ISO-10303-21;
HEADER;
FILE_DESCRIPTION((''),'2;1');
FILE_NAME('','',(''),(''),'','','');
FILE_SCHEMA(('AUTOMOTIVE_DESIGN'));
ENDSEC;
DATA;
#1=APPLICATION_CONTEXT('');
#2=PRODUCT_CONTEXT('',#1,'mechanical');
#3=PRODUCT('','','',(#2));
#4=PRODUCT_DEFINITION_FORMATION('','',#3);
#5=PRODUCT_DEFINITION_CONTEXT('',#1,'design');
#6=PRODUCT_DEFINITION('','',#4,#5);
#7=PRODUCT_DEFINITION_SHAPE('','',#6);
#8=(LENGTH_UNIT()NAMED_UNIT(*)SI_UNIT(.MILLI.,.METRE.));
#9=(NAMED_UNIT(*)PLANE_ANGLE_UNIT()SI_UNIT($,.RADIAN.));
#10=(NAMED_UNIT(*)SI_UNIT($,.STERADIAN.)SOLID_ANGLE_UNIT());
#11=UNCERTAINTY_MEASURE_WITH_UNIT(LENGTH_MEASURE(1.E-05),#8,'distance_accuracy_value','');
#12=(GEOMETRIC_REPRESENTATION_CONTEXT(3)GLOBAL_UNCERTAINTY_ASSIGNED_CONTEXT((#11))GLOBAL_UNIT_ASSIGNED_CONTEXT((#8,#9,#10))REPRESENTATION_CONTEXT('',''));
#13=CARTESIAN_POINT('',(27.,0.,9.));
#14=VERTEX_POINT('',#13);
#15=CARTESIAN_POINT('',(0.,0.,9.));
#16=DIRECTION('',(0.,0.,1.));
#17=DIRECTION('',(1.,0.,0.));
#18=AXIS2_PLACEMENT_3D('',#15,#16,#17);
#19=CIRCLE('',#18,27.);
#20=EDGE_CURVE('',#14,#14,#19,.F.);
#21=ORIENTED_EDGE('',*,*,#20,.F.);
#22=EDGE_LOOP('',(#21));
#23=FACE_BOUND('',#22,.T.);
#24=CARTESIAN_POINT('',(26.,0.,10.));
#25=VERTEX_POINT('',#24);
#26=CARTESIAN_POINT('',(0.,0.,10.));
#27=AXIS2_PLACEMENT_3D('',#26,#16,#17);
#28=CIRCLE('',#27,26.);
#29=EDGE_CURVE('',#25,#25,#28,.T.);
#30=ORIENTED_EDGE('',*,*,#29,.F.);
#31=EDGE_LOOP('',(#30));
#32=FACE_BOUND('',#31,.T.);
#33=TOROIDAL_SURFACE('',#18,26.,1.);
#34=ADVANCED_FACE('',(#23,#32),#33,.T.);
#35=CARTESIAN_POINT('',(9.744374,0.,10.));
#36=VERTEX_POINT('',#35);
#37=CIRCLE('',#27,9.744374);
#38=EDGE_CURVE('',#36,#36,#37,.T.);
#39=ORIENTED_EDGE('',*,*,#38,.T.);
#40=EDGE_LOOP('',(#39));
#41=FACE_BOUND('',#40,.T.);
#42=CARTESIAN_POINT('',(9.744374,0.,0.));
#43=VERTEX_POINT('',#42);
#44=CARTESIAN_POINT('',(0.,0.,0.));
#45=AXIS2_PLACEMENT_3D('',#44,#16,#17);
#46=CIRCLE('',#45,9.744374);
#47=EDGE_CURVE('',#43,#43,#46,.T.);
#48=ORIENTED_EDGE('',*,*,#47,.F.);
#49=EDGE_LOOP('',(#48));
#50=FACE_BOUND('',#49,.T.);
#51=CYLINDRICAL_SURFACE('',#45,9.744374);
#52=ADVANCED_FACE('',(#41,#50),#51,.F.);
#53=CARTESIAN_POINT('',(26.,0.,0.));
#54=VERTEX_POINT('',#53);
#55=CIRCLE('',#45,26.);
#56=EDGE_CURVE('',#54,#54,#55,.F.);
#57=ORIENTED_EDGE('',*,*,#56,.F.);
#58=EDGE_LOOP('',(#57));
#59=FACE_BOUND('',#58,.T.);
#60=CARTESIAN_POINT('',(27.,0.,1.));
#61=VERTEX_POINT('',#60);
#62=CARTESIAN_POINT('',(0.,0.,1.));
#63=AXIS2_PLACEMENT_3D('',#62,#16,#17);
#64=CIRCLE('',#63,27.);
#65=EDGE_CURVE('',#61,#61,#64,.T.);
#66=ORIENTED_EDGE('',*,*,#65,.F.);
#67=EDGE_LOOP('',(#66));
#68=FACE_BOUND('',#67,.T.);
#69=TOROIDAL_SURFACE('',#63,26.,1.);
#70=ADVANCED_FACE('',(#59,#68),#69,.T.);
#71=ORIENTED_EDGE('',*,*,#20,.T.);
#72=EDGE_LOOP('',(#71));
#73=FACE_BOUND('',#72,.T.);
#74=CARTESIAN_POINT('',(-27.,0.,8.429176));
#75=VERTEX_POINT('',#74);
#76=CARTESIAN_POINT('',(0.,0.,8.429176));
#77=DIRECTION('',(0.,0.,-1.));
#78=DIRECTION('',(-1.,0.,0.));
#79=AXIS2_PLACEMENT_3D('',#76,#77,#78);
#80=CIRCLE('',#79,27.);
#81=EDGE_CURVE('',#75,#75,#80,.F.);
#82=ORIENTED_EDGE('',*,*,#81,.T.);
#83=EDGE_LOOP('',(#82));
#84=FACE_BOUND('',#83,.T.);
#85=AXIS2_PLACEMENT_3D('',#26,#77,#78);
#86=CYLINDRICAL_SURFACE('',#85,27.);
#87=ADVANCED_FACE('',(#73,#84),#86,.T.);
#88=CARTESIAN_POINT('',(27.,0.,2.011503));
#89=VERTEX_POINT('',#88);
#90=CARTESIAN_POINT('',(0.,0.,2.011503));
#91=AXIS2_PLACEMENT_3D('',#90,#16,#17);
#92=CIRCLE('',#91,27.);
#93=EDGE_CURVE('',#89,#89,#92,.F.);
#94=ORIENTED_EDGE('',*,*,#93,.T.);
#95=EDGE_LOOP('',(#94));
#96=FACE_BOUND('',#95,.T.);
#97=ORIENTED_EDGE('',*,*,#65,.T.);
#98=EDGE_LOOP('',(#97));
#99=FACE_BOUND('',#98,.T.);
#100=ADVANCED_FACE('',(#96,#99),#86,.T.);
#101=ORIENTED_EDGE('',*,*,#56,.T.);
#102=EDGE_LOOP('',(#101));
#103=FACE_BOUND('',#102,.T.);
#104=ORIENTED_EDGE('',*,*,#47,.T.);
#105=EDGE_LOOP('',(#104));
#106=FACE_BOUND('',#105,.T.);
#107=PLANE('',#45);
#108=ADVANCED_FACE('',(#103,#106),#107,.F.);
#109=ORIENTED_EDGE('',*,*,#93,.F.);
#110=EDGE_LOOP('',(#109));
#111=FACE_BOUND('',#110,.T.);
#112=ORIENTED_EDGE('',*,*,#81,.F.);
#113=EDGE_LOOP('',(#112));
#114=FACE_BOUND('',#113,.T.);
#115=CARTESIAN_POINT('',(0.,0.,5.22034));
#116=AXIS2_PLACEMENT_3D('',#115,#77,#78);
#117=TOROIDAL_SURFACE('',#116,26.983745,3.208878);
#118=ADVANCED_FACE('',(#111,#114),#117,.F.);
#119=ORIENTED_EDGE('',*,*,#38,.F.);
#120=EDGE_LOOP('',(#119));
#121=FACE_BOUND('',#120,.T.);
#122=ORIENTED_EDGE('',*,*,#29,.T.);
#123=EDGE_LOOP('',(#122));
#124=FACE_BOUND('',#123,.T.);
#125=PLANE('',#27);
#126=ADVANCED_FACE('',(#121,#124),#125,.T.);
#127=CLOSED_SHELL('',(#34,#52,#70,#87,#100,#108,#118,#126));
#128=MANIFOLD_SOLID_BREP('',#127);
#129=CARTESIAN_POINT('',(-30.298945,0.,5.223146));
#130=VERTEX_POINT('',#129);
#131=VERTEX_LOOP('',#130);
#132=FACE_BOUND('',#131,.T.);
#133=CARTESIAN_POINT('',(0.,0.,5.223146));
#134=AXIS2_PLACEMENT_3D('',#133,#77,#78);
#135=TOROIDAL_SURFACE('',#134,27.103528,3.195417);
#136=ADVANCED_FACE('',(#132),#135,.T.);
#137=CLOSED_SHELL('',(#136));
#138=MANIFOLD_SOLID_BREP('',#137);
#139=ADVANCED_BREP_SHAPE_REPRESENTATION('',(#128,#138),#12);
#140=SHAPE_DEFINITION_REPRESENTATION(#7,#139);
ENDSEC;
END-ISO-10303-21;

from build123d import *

# Parameters (mm, degrees)
IZIM1_R                     = 27
Y_KSEKLIK_EKSTR_ZYON1_DEPTH = 10
IZIM2_R                     = 9.744373862
KES_EKSTR_ZYON1_DEPTH       = 10
IZIM3_R                     = 3.208877789
RADYUS1_R                   = 1
IZIM4_R                     = 3.195416863


with BuildPart() as part:
    # Çizim1 → Yükseklik-Ekstrüzyon1 (new body)
    with BuildSketch(Plane.XY):
        Circle(IZIM1_R)
    extrude(amount=Y_KSEKLIK_EKSTR_ZYON1_DEPTH)

    # Çizim2 → Kes-Ekstrüzyon1 (cut)
    with BuildSketch(Plane.XY.offset(10)):
        Circle(IZIM2_R)
    extrude(amount=-KES_EKSTR_ZYON1_DEPTH, mode=Mode.SUBTRACT)

    # Çizim3 → Kes-Döndür1 (revolve, cut)
    with BuildSketch(Plane(origin=(0, 0, 0), x_dir=(0, 0, -1), z_dir=(1, 0, 0)), mode=Mode.PRIVATE) as kes_d_nd_r1_sk:
        with Locations((-5.220339572, 26.983745041)):
            Circle(IZIM3_R)
    revolve(kes_d_nd_r1_sk.sketch.rotate(Axis((0, 0, 0), (0, 0, 1)), 90), axis=Axis((0, 0, 0), (0, 0, 1)), mode=Mode.SUBTRACT)

    # Radyus1
    radyus1_edges = [part.edges().sort_by_distance(p)[0] for p in [
        (-27, 0, 0),
        (-27, 0, 10),
    ]]
    fillet(radyus1_edges, radius=RADYUS1_R)


with BuildPart() as body_2:
    # Çizim4 → Döndür1 (revolve)
    with BuildSketch(Plane(origin=(0, 0, 0), x_dir=(0, 0, -1), z_dir=(1, 0, 0)), mode=Mode.PRIVATE) as d_nd_r1_sk:
        with Locations((-5.223146348, 27.103528141)):
            Circle(IZIM4_R)
    revolve(d_nd_r1_sk.sketch.rotate(Axis((0, 0, 0), (0, 0, 1)), 90), axis=Axis((0, 0, 0), (0, 0, 1)))


solid = Compound([part.part, body_2.part])
